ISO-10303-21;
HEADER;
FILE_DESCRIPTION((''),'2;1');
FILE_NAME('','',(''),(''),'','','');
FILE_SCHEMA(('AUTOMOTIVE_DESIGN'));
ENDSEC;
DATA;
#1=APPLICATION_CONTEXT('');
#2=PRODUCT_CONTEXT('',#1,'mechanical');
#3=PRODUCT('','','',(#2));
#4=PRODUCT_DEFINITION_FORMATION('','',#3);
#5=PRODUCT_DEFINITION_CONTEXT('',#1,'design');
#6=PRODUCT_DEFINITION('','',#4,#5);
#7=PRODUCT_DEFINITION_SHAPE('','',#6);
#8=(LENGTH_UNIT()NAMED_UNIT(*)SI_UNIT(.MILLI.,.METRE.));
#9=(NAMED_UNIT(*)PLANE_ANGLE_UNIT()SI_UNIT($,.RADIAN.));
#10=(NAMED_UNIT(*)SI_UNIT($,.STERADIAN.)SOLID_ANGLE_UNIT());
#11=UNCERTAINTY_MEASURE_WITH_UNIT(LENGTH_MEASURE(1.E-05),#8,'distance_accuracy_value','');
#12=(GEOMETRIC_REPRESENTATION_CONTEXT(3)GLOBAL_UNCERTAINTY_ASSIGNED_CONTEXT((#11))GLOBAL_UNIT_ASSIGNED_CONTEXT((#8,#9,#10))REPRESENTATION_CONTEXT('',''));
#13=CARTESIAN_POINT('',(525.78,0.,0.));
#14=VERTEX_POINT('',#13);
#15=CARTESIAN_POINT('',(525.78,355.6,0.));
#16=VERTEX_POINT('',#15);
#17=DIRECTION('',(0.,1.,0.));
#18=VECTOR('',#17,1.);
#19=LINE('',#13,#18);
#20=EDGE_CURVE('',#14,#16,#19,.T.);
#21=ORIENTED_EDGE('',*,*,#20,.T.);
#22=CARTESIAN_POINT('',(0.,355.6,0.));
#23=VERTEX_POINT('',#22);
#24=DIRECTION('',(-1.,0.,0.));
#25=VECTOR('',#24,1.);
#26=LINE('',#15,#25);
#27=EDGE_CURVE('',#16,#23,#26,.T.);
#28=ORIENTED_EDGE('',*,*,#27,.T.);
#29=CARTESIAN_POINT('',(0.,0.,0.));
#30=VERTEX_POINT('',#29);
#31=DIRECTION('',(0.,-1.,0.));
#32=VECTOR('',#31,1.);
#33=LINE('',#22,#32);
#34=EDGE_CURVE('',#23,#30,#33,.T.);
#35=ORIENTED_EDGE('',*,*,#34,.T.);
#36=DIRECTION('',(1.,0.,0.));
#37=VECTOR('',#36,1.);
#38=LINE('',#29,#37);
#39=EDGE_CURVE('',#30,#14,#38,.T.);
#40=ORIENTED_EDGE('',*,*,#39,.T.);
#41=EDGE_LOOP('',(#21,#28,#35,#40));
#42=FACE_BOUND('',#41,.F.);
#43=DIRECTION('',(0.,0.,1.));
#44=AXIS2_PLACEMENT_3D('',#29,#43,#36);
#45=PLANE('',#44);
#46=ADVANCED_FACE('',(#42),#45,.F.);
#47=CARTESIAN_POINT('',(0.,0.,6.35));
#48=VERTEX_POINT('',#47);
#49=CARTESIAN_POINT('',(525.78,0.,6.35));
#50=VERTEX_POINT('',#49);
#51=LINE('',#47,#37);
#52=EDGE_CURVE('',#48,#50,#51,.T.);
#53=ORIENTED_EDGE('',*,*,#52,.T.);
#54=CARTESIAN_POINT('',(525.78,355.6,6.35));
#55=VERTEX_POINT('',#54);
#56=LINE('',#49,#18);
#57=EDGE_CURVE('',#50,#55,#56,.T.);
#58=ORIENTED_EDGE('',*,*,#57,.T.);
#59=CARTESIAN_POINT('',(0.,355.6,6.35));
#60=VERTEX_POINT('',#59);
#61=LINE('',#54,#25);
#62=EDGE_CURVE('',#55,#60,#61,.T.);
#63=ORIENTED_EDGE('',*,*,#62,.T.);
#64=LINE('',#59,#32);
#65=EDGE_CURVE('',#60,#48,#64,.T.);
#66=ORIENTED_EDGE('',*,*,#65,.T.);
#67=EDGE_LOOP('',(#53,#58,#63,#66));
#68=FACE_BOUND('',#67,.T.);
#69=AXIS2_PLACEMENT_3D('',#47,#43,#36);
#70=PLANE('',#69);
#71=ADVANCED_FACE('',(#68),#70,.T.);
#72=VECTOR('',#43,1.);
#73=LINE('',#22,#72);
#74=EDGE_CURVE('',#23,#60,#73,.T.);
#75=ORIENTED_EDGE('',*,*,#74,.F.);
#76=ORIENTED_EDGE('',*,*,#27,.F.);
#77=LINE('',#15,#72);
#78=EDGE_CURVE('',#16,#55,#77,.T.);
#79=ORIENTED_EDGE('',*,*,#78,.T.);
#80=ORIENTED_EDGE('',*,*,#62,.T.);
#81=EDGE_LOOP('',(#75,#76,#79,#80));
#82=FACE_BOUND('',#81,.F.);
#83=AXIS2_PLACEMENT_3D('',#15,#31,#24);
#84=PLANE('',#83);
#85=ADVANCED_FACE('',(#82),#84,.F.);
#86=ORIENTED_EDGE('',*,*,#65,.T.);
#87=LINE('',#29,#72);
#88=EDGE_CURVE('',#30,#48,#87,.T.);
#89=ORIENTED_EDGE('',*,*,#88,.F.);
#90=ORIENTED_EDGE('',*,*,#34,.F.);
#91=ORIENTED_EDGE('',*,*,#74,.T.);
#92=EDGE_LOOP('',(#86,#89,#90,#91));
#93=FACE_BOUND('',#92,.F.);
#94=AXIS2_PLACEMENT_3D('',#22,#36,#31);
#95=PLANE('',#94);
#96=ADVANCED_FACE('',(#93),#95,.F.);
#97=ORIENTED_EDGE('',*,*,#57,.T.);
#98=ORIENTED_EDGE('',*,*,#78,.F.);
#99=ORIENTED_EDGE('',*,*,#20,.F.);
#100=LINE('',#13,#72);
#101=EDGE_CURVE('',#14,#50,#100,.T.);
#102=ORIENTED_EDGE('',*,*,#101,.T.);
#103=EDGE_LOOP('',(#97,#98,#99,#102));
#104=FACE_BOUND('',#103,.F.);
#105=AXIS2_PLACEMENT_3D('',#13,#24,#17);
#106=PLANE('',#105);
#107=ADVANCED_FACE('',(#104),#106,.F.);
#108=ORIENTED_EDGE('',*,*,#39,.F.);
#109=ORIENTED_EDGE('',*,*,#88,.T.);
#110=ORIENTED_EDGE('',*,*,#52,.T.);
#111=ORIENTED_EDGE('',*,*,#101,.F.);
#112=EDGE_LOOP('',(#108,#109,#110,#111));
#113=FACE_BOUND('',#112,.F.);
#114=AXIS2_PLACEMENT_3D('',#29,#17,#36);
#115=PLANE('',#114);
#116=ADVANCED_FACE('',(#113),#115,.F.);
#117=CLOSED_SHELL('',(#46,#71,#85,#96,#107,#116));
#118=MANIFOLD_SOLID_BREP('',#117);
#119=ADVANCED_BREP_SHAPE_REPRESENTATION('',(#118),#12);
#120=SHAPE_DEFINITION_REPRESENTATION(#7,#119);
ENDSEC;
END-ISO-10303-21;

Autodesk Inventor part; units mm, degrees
ref_plane "YZ Plane" through (0, 0, 0) normal (1, 0, 0) x (0, 1, 0)
ref_plane "XZ Plane" through (0, 0, 0) normal (0, 1, 0) x (-1, 0, 0)
ref_plane "XY Plane" through (0, 0, 0) normal (0, 0, 1) x (1, 0, 0)
sketch "Sketch1" plane through (0, 0, 0) normal (0, 0, 1) x (1, 0, 0)
  line L0 (0, 0) -> (525.78, 0)
  line L1 (525.78, 0) -> (525.78, 355.6)
  line L2 (525.78, 355.6) -> (0, 355.6)
  line L3 (0, 355.6) -> (0, 0)
  dimension "d0" = 525.78
  dimension "d1" = 355.6
extrude "Extrusion1" add sketch "Sketch1" along normal blind 6.35
properties part number "BA12" material "ABS Plastic"
